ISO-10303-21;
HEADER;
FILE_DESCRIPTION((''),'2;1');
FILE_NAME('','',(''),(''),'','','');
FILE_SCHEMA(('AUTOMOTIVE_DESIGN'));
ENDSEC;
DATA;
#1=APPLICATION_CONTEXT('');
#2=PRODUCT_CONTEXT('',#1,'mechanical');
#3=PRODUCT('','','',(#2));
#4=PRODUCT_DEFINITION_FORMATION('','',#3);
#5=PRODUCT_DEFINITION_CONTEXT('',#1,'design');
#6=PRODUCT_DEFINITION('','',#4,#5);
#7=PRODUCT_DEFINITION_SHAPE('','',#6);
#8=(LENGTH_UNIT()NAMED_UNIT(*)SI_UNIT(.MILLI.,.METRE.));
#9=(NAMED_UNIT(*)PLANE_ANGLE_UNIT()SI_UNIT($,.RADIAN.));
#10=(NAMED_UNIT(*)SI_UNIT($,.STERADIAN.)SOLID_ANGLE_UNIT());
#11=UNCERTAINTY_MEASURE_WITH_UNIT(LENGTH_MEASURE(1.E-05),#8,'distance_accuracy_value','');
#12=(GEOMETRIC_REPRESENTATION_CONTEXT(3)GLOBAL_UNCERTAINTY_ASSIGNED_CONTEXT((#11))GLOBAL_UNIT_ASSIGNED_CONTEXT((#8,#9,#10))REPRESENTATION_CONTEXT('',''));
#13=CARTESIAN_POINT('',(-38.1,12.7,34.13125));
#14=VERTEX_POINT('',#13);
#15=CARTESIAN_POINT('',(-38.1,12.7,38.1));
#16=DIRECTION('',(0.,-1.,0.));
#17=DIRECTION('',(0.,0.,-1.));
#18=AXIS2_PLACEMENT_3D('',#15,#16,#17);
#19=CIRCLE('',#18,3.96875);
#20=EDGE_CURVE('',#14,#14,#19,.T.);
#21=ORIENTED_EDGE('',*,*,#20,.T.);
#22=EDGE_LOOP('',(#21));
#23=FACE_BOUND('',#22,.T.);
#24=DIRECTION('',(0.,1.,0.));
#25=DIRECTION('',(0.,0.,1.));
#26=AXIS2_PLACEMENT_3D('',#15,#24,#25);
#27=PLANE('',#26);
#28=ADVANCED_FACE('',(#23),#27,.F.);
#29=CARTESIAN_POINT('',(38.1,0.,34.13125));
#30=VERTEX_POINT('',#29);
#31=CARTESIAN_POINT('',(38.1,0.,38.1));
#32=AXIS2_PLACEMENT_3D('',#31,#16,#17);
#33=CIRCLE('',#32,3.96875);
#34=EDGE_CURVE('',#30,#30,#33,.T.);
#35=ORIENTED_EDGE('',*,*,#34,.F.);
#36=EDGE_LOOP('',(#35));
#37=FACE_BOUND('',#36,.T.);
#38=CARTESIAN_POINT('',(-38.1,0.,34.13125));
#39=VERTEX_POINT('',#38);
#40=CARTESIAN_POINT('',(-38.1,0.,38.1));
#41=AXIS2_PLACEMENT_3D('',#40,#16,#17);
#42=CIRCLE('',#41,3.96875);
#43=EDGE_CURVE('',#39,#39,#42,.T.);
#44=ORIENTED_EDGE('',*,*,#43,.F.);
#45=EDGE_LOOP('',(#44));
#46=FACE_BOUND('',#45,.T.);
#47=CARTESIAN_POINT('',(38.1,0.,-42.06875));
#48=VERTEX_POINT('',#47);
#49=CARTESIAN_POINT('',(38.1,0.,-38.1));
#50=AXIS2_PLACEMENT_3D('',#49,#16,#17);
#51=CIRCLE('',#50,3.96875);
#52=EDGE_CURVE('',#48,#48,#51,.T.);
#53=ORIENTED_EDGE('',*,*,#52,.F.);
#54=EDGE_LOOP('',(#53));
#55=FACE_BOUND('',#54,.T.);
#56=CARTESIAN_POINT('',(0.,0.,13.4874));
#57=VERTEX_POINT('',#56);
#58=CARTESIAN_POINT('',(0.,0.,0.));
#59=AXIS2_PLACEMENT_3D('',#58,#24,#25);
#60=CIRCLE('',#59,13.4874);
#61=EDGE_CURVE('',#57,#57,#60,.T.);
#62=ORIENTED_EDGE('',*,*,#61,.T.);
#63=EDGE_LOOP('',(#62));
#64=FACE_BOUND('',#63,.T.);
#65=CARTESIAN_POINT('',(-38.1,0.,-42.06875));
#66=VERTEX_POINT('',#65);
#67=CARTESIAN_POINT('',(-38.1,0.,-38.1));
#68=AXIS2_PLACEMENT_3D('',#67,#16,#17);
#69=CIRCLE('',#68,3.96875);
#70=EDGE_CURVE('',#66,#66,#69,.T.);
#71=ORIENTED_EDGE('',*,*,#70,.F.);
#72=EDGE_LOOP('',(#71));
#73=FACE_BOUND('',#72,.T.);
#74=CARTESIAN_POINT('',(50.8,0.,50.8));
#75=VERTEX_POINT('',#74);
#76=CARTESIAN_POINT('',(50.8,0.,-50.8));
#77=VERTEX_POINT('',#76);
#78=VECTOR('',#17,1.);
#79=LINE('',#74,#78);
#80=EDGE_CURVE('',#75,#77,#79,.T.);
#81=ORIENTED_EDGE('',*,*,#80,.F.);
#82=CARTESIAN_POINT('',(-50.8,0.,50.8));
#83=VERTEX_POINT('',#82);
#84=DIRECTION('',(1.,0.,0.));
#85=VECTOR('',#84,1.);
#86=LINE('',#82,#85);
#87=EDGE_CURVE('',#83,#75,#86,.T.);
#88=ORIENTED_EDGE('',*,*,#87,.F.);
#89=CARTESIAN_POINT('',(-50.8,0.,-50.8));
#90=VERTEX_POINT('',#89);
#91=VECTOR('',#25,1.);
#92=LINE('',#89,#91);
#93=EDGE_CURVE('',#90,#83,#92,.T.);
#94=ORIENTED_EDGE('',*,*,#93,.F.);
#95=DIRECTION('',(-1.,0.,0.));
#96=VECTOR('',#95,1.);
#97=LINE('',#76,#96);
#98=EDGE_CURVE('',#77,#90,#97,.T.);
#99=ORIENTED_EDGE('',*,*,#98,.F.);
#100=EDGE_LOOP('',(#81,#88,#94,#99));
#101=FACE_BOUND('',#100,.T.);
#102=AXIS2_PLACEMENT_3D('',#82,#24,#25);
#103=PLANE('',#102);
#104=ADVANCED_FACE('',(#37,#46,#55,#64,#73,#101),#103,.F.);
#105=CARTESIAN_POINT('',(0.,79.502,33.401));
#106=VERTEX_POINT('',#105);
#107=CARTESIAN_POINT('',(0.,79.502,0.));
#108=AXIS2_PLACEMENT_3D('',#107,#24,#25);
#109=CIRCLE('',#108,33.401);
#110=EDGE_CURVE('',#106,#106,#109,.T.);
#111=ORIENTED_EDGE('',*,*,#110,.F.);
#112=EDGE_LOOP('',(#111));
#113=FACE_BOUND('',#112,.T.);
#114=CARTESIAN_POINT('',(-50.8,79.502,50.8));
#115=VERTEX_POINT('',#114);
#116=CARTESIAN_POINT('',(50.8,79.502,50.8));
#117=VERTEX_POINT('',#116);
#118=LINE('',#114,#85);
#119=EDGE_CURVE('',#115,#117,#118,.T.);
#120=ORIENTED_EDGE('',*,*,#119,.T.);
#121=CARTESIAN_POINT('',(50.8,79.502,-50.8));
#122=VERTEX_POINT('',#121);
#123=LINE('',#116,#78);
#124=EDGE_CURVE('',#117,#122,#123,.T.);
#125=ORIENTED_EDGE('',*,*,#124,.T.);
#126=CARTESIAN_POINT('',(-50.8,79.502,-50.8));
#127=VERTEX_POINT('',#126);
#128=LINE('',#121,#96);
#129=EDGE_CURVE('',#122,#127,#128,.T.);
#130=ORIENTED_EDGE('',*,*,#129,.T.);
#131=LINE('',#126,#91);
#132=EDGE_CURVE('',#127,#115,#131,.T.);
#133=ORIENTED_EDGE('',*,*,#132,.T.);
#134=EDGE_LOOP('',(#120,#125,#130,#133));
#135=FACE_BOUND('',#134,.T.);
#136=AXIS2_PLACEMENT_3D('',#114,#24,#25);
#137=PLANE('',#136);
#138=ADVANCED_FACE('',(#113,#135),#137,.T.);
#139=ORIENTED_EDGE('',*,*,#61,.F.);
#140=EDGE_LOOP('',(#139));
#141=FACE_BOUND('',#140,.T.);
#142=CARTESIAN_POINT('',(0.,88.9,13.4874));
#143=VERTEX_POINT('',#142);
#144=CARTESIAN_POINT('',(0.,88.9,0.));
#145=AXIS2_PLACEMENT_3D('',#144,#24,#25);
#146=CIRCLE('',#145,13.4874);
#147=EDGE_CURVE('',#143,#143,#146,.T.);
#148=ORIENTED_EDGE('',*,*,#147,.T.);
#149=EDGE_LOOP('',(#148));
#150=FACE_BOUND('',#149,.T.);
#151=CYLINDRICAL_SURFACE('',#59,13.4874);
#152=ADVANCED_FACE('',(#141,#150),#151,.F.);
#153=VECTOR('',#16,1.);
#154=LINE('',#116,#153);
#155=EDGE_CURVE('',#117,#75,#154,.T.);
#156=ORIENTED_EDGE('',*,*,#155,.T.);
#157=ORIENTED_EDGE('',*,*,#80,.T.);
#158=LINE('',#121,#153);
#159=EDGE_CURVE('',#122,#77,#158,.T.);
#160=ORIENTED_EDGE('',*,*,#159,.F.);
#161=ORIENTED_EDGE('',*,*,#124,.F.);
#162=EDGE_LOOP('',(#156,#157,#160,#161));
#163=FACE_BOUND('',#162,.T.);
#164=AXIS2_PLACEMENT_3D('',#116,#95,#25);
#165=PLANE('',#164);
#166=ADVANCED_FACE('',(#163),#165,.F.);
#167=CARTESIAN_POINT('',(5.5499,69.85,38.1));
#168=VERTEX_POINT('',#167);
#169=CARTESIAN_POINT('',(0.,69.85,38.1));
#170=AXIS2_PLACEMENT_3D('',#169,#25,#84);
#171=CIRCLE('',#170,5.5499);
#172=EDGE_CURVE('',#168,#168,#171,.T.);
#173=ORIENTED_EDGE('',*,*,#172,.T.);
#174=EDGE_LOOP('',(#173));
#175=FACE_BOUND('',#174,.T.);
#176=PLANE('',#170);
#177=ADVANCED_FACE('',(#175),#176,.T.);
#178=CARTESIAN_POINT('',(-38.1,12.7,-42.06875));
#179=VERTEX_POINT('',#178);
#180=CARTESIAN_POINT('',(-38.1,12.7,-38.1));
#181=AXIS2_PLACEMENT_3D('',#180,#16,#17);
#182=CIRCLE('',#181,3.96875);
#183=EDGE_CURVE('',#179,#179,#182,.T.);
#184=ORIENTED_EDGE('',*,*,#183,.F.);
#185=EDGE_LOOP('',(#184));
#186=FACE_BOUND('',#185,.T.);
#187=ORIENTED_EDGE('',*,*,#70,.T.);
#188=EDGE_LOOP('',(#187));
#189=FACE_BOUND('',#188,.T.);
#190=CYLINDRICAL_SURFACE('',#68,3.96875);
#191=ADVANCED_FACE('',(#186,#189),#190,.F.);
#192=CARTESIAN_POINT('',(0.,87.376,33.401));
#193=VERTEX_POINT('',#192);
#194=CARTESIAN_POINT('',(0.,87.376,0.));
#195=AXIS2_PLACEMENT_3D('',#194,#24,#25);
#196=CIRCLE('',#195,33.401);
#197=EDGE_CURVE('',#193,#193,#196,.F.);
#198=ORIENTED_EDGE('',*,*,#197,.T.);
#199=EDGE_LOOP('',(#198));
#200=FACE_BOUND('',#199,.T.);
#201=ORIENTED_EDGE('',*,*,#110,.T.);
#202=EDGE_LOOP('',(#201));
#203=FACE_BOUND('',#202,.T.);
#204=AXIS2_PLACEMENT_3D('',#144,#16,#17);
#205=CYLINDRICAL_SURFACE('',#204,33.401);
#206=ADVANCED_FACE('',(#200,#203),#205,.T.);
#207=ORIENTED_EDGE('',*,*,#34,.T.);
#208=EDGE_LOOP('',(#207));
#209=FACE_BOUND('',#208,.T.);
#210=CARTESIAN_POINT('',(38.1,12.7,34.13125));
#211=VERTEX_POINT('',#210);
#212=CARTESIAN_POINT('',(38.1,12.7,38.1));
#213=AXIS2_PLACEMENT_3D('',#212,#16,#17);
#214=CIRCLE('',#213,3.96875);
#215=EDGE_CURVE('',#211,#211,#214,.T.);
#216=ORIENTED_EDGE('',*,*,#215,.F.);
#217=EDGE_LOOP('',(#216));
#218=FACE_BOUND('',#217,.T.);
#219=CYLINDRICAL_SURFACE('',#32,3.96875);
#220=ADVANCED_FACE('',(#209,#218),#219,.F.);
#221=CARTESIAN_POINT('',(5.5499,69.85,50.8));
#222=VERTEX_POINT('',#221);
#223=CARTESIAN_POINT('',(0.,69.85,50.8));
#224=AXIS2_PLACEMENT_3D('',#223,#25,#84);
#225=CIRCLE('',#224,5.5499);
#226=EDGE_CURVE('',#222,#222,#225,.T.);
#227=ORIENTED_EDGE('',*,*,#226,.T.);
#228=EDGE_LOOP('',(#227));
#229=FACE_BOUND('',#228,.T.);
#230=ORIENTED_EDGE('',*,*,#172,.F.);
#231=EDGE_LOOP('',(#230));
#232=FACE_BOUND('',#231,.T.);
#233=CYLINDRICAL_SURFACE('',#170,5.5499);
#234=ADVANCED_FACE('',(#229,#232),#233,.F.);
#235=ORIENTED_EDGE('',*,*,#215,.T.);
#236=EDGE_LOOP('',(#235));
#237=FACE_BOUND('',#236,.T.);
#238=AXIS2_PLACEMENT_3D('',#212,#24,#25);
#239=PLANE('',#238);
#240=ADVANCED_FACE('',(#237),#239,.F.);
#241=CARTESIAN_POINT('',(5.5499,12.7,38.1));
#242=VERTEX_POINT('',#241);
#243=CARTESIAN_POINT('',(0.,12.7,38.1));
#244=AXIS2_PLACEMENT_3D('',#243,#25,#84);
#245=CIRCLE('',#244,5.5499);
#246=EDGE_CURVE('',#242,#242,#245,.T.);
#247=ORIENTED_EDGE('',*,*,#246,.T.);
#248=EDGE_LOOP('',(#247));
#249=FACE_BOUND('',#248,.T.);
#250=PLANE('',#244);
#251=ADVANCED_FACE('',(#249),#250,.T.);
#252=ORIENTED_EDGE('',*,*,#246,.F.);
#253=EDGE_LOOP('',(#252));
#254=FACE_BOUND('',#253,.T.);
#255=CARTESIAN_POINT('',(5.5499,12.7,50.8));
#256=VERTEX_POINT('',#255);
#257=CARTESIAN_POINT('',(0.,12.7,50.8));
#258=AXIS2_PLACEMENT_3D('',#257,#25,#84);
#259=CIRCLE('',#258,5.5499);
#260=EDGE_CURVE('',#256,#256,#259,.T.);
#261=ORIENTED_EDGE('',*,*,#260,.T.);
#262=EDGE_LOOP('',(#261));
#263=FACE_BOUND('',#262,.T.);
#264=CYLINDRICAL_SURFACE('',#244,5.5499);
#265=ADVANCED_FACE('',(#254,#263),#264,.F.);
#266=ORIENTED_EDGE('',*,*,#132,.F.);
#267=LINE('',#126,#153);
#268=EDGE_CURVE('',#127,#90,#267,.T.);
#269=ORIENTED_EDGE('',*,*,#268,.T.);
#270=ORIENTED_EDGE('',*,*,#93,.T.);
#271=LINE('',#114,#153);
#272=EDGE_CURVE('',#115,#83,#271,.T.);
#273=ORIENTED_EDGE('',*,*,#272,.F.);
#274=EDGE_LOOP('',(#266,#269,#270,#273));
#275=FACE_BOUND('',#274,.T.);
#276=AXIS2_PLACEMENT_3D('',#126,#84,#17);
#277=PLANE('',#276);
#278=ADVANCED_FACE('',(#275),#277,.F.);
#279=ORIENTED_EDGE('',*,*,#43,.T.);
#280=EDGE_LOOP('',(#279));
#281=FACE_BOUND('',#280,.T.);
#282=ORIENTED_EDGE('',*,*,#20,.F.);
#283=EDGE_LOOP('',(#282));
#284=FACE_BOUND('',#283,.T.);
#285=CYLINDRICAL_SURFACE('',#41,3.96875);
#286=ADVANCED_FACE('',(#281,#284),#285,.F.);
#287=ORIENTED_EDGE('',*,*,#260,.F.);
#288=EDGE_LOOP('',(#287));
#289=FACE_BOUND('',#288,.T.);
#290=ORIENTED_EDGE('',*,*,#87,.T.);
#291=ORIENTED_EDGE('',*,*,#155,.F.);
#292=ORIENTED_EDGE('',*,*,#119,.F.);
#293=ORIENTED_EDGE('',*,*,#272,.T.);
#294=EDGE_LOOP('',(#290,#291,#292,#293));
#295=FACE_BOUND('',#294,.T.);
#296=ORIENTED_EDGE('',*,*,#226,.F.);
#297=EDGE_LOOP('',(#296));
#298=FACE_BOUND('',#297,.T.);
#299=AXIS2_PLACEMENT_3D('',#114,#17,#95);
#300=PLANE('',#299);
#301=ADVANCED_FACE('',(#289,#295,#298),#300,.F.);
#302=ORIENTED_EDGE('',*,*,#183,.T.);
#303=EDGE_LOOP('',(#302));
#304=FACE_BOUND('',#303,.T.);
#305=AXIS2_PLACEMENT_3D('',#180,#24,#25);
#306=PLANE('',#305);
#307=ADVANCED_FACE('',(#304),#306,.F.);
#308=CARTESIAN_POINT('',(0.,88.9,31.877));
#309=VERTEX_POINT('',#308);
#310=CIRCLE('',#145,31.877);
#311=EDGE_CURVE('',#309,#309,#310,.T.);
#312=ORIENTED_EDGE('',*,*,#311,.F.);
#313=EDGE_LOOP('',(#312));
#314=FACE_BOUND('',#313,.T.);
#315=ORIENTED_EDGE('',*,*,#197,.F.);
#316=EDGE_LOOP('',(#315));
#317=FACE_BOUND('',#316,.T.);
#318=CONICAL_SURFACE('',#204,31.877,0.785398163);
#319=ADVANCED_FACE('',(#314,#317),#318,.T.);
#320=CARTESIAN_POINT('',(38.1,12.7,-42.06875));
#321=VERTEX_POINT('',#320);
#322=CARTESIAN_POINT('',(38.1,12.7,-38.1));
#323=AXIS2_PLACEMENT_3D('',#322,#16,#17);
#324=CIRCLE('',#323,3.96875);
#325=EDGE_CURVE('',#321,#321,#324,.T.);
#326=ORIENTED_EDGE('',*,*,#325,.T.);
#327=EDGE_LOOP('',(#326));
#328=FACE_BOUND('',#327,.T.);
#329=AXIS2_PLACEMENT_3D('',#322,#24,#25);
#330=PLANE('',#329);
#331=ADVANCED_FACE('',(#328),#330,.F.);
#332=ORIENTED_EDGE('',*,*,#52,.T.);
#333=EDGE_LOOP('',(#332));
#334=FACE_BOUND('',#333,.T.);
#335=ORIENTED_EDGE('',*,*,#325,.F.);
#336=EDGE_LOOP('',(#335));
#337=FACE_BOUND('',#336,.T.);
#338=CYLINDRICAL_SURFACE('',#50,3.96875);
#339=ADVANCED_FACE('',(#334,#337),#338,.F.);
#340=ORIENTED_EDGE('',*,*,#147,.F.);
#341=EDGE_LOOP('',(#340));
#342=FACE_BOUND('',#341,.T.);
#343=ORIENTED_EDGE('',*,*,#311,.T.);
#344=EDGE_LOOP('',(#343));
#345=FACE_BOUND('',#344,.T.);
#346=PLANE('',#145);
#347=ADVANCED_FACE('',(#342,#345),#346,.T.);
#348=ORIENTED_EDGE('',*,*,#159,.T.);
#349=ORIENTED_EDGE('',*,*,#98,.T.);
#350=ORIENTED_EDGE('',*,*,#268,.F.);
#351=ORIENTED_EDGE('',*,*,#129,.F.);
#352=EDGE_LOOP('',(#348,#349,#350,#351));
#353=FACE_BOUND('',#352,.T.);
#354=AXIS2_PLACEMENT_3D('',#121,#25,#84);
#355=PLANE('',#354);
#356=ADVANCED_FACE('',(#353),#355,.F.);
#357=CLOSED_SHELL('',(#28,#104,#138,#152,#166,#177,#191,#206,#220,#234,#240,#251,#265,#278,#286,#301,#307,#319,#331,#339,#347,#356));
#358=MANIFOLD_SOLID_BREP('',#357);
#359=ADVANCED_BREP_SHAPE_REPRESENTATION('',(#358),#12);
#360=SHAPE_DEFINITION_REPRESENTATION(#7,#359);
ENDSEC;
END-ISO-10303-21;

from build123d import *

# Parameters (mm, degrees)
SKETCH1_W          = 101.6
SKETCH1_H          = 101.6
EXTRUDE1_DEPTH     = 79.502
SKETCH2_R          = 33.401
EXTRUDE2_DEPTH     = 9.398
CHAMFER1_SIZE      = 1.524
SKETCH3_R          = 13.4874
CUT_EXTRUDE1_DEPTH = 89.9
SKETCH4_R          = 5.5499
CUT_EXTRUDE2_DEPTH = 12.7
HOLE1_D            = 7.9375
HOLE1_DEPTH        = 12.7


with BuildPart() as part:
    # Sketch1 → Extrude1 (new body)
    with BuildSketch(Plane(origin=(0, 0, 0), x_dir=(1, 0, 0), z_dir=(0, 1, 0))):
        Rectangle(SKETCH1_W, SKETCH1_H)
    extrude(amount=EXTRUDE1_DEPTH)

    # Sketch2 → Extrude2 (add)
    with BuildSketch(Plane(origin=(0, 79.502, 0), x_dir=(-1, 0, 0), z_dir=(0, 1, 0))):
        with Locations(Location((0, 0, 0), (0, 0, 90))):  # turned: the seam where the file's is
            Circle(SKETCH2_R)
    extrude(amount=EXTRUDE2_DEPTH)

    # Chamfer1
    chamfer1_edges = [part.edges().sort_by_distance(p)[0] for p in [
        (0, 88.9, -33.401),
    ]]
    chamfer(chamfer1_edges, length=CHAMFER1_SIZE)

    # Sketch3 → Cut-Extrude1 (cut, through all)
    with BuildSketch(Plane(origin=(0, 88.9, 0), x_dir=(1, 0, 0), z_dir=(0, 1, 0))):
        with Locations(Location((0, 0, 0), (0, 0, 270))):  # turned: the seam where the file's is
            Circle(SKETCH3_R)
    extrude(amount=-CUT_EXTRUDE1_DEPTH, mode=Mode.SUBTRACT)

    # Sketch4 → Cut-Extrude2 (cut)
    with BuildSketch(Plane.XY.offset(50.8)):
        with Locations((0, 69.85)):
            Circle(SKETCH4_R)
        with Locations((0, 12.7)):
            Circle(SKETCH4_R)
    extrude(amount=-CUT_EXTRUDE2_DEPTH, mode=Mode.SUBTRACT)

    # Hole1
    with Locations(Plane.XZ):
        with Locations((-38.1, 38.1), (38.1, 38.1), (38.1, -38.1), (-38.1, -38.1)):
            Hole(HOLE1_D / 2, depth=HOLE1_DEPTH)


solid = part.part
